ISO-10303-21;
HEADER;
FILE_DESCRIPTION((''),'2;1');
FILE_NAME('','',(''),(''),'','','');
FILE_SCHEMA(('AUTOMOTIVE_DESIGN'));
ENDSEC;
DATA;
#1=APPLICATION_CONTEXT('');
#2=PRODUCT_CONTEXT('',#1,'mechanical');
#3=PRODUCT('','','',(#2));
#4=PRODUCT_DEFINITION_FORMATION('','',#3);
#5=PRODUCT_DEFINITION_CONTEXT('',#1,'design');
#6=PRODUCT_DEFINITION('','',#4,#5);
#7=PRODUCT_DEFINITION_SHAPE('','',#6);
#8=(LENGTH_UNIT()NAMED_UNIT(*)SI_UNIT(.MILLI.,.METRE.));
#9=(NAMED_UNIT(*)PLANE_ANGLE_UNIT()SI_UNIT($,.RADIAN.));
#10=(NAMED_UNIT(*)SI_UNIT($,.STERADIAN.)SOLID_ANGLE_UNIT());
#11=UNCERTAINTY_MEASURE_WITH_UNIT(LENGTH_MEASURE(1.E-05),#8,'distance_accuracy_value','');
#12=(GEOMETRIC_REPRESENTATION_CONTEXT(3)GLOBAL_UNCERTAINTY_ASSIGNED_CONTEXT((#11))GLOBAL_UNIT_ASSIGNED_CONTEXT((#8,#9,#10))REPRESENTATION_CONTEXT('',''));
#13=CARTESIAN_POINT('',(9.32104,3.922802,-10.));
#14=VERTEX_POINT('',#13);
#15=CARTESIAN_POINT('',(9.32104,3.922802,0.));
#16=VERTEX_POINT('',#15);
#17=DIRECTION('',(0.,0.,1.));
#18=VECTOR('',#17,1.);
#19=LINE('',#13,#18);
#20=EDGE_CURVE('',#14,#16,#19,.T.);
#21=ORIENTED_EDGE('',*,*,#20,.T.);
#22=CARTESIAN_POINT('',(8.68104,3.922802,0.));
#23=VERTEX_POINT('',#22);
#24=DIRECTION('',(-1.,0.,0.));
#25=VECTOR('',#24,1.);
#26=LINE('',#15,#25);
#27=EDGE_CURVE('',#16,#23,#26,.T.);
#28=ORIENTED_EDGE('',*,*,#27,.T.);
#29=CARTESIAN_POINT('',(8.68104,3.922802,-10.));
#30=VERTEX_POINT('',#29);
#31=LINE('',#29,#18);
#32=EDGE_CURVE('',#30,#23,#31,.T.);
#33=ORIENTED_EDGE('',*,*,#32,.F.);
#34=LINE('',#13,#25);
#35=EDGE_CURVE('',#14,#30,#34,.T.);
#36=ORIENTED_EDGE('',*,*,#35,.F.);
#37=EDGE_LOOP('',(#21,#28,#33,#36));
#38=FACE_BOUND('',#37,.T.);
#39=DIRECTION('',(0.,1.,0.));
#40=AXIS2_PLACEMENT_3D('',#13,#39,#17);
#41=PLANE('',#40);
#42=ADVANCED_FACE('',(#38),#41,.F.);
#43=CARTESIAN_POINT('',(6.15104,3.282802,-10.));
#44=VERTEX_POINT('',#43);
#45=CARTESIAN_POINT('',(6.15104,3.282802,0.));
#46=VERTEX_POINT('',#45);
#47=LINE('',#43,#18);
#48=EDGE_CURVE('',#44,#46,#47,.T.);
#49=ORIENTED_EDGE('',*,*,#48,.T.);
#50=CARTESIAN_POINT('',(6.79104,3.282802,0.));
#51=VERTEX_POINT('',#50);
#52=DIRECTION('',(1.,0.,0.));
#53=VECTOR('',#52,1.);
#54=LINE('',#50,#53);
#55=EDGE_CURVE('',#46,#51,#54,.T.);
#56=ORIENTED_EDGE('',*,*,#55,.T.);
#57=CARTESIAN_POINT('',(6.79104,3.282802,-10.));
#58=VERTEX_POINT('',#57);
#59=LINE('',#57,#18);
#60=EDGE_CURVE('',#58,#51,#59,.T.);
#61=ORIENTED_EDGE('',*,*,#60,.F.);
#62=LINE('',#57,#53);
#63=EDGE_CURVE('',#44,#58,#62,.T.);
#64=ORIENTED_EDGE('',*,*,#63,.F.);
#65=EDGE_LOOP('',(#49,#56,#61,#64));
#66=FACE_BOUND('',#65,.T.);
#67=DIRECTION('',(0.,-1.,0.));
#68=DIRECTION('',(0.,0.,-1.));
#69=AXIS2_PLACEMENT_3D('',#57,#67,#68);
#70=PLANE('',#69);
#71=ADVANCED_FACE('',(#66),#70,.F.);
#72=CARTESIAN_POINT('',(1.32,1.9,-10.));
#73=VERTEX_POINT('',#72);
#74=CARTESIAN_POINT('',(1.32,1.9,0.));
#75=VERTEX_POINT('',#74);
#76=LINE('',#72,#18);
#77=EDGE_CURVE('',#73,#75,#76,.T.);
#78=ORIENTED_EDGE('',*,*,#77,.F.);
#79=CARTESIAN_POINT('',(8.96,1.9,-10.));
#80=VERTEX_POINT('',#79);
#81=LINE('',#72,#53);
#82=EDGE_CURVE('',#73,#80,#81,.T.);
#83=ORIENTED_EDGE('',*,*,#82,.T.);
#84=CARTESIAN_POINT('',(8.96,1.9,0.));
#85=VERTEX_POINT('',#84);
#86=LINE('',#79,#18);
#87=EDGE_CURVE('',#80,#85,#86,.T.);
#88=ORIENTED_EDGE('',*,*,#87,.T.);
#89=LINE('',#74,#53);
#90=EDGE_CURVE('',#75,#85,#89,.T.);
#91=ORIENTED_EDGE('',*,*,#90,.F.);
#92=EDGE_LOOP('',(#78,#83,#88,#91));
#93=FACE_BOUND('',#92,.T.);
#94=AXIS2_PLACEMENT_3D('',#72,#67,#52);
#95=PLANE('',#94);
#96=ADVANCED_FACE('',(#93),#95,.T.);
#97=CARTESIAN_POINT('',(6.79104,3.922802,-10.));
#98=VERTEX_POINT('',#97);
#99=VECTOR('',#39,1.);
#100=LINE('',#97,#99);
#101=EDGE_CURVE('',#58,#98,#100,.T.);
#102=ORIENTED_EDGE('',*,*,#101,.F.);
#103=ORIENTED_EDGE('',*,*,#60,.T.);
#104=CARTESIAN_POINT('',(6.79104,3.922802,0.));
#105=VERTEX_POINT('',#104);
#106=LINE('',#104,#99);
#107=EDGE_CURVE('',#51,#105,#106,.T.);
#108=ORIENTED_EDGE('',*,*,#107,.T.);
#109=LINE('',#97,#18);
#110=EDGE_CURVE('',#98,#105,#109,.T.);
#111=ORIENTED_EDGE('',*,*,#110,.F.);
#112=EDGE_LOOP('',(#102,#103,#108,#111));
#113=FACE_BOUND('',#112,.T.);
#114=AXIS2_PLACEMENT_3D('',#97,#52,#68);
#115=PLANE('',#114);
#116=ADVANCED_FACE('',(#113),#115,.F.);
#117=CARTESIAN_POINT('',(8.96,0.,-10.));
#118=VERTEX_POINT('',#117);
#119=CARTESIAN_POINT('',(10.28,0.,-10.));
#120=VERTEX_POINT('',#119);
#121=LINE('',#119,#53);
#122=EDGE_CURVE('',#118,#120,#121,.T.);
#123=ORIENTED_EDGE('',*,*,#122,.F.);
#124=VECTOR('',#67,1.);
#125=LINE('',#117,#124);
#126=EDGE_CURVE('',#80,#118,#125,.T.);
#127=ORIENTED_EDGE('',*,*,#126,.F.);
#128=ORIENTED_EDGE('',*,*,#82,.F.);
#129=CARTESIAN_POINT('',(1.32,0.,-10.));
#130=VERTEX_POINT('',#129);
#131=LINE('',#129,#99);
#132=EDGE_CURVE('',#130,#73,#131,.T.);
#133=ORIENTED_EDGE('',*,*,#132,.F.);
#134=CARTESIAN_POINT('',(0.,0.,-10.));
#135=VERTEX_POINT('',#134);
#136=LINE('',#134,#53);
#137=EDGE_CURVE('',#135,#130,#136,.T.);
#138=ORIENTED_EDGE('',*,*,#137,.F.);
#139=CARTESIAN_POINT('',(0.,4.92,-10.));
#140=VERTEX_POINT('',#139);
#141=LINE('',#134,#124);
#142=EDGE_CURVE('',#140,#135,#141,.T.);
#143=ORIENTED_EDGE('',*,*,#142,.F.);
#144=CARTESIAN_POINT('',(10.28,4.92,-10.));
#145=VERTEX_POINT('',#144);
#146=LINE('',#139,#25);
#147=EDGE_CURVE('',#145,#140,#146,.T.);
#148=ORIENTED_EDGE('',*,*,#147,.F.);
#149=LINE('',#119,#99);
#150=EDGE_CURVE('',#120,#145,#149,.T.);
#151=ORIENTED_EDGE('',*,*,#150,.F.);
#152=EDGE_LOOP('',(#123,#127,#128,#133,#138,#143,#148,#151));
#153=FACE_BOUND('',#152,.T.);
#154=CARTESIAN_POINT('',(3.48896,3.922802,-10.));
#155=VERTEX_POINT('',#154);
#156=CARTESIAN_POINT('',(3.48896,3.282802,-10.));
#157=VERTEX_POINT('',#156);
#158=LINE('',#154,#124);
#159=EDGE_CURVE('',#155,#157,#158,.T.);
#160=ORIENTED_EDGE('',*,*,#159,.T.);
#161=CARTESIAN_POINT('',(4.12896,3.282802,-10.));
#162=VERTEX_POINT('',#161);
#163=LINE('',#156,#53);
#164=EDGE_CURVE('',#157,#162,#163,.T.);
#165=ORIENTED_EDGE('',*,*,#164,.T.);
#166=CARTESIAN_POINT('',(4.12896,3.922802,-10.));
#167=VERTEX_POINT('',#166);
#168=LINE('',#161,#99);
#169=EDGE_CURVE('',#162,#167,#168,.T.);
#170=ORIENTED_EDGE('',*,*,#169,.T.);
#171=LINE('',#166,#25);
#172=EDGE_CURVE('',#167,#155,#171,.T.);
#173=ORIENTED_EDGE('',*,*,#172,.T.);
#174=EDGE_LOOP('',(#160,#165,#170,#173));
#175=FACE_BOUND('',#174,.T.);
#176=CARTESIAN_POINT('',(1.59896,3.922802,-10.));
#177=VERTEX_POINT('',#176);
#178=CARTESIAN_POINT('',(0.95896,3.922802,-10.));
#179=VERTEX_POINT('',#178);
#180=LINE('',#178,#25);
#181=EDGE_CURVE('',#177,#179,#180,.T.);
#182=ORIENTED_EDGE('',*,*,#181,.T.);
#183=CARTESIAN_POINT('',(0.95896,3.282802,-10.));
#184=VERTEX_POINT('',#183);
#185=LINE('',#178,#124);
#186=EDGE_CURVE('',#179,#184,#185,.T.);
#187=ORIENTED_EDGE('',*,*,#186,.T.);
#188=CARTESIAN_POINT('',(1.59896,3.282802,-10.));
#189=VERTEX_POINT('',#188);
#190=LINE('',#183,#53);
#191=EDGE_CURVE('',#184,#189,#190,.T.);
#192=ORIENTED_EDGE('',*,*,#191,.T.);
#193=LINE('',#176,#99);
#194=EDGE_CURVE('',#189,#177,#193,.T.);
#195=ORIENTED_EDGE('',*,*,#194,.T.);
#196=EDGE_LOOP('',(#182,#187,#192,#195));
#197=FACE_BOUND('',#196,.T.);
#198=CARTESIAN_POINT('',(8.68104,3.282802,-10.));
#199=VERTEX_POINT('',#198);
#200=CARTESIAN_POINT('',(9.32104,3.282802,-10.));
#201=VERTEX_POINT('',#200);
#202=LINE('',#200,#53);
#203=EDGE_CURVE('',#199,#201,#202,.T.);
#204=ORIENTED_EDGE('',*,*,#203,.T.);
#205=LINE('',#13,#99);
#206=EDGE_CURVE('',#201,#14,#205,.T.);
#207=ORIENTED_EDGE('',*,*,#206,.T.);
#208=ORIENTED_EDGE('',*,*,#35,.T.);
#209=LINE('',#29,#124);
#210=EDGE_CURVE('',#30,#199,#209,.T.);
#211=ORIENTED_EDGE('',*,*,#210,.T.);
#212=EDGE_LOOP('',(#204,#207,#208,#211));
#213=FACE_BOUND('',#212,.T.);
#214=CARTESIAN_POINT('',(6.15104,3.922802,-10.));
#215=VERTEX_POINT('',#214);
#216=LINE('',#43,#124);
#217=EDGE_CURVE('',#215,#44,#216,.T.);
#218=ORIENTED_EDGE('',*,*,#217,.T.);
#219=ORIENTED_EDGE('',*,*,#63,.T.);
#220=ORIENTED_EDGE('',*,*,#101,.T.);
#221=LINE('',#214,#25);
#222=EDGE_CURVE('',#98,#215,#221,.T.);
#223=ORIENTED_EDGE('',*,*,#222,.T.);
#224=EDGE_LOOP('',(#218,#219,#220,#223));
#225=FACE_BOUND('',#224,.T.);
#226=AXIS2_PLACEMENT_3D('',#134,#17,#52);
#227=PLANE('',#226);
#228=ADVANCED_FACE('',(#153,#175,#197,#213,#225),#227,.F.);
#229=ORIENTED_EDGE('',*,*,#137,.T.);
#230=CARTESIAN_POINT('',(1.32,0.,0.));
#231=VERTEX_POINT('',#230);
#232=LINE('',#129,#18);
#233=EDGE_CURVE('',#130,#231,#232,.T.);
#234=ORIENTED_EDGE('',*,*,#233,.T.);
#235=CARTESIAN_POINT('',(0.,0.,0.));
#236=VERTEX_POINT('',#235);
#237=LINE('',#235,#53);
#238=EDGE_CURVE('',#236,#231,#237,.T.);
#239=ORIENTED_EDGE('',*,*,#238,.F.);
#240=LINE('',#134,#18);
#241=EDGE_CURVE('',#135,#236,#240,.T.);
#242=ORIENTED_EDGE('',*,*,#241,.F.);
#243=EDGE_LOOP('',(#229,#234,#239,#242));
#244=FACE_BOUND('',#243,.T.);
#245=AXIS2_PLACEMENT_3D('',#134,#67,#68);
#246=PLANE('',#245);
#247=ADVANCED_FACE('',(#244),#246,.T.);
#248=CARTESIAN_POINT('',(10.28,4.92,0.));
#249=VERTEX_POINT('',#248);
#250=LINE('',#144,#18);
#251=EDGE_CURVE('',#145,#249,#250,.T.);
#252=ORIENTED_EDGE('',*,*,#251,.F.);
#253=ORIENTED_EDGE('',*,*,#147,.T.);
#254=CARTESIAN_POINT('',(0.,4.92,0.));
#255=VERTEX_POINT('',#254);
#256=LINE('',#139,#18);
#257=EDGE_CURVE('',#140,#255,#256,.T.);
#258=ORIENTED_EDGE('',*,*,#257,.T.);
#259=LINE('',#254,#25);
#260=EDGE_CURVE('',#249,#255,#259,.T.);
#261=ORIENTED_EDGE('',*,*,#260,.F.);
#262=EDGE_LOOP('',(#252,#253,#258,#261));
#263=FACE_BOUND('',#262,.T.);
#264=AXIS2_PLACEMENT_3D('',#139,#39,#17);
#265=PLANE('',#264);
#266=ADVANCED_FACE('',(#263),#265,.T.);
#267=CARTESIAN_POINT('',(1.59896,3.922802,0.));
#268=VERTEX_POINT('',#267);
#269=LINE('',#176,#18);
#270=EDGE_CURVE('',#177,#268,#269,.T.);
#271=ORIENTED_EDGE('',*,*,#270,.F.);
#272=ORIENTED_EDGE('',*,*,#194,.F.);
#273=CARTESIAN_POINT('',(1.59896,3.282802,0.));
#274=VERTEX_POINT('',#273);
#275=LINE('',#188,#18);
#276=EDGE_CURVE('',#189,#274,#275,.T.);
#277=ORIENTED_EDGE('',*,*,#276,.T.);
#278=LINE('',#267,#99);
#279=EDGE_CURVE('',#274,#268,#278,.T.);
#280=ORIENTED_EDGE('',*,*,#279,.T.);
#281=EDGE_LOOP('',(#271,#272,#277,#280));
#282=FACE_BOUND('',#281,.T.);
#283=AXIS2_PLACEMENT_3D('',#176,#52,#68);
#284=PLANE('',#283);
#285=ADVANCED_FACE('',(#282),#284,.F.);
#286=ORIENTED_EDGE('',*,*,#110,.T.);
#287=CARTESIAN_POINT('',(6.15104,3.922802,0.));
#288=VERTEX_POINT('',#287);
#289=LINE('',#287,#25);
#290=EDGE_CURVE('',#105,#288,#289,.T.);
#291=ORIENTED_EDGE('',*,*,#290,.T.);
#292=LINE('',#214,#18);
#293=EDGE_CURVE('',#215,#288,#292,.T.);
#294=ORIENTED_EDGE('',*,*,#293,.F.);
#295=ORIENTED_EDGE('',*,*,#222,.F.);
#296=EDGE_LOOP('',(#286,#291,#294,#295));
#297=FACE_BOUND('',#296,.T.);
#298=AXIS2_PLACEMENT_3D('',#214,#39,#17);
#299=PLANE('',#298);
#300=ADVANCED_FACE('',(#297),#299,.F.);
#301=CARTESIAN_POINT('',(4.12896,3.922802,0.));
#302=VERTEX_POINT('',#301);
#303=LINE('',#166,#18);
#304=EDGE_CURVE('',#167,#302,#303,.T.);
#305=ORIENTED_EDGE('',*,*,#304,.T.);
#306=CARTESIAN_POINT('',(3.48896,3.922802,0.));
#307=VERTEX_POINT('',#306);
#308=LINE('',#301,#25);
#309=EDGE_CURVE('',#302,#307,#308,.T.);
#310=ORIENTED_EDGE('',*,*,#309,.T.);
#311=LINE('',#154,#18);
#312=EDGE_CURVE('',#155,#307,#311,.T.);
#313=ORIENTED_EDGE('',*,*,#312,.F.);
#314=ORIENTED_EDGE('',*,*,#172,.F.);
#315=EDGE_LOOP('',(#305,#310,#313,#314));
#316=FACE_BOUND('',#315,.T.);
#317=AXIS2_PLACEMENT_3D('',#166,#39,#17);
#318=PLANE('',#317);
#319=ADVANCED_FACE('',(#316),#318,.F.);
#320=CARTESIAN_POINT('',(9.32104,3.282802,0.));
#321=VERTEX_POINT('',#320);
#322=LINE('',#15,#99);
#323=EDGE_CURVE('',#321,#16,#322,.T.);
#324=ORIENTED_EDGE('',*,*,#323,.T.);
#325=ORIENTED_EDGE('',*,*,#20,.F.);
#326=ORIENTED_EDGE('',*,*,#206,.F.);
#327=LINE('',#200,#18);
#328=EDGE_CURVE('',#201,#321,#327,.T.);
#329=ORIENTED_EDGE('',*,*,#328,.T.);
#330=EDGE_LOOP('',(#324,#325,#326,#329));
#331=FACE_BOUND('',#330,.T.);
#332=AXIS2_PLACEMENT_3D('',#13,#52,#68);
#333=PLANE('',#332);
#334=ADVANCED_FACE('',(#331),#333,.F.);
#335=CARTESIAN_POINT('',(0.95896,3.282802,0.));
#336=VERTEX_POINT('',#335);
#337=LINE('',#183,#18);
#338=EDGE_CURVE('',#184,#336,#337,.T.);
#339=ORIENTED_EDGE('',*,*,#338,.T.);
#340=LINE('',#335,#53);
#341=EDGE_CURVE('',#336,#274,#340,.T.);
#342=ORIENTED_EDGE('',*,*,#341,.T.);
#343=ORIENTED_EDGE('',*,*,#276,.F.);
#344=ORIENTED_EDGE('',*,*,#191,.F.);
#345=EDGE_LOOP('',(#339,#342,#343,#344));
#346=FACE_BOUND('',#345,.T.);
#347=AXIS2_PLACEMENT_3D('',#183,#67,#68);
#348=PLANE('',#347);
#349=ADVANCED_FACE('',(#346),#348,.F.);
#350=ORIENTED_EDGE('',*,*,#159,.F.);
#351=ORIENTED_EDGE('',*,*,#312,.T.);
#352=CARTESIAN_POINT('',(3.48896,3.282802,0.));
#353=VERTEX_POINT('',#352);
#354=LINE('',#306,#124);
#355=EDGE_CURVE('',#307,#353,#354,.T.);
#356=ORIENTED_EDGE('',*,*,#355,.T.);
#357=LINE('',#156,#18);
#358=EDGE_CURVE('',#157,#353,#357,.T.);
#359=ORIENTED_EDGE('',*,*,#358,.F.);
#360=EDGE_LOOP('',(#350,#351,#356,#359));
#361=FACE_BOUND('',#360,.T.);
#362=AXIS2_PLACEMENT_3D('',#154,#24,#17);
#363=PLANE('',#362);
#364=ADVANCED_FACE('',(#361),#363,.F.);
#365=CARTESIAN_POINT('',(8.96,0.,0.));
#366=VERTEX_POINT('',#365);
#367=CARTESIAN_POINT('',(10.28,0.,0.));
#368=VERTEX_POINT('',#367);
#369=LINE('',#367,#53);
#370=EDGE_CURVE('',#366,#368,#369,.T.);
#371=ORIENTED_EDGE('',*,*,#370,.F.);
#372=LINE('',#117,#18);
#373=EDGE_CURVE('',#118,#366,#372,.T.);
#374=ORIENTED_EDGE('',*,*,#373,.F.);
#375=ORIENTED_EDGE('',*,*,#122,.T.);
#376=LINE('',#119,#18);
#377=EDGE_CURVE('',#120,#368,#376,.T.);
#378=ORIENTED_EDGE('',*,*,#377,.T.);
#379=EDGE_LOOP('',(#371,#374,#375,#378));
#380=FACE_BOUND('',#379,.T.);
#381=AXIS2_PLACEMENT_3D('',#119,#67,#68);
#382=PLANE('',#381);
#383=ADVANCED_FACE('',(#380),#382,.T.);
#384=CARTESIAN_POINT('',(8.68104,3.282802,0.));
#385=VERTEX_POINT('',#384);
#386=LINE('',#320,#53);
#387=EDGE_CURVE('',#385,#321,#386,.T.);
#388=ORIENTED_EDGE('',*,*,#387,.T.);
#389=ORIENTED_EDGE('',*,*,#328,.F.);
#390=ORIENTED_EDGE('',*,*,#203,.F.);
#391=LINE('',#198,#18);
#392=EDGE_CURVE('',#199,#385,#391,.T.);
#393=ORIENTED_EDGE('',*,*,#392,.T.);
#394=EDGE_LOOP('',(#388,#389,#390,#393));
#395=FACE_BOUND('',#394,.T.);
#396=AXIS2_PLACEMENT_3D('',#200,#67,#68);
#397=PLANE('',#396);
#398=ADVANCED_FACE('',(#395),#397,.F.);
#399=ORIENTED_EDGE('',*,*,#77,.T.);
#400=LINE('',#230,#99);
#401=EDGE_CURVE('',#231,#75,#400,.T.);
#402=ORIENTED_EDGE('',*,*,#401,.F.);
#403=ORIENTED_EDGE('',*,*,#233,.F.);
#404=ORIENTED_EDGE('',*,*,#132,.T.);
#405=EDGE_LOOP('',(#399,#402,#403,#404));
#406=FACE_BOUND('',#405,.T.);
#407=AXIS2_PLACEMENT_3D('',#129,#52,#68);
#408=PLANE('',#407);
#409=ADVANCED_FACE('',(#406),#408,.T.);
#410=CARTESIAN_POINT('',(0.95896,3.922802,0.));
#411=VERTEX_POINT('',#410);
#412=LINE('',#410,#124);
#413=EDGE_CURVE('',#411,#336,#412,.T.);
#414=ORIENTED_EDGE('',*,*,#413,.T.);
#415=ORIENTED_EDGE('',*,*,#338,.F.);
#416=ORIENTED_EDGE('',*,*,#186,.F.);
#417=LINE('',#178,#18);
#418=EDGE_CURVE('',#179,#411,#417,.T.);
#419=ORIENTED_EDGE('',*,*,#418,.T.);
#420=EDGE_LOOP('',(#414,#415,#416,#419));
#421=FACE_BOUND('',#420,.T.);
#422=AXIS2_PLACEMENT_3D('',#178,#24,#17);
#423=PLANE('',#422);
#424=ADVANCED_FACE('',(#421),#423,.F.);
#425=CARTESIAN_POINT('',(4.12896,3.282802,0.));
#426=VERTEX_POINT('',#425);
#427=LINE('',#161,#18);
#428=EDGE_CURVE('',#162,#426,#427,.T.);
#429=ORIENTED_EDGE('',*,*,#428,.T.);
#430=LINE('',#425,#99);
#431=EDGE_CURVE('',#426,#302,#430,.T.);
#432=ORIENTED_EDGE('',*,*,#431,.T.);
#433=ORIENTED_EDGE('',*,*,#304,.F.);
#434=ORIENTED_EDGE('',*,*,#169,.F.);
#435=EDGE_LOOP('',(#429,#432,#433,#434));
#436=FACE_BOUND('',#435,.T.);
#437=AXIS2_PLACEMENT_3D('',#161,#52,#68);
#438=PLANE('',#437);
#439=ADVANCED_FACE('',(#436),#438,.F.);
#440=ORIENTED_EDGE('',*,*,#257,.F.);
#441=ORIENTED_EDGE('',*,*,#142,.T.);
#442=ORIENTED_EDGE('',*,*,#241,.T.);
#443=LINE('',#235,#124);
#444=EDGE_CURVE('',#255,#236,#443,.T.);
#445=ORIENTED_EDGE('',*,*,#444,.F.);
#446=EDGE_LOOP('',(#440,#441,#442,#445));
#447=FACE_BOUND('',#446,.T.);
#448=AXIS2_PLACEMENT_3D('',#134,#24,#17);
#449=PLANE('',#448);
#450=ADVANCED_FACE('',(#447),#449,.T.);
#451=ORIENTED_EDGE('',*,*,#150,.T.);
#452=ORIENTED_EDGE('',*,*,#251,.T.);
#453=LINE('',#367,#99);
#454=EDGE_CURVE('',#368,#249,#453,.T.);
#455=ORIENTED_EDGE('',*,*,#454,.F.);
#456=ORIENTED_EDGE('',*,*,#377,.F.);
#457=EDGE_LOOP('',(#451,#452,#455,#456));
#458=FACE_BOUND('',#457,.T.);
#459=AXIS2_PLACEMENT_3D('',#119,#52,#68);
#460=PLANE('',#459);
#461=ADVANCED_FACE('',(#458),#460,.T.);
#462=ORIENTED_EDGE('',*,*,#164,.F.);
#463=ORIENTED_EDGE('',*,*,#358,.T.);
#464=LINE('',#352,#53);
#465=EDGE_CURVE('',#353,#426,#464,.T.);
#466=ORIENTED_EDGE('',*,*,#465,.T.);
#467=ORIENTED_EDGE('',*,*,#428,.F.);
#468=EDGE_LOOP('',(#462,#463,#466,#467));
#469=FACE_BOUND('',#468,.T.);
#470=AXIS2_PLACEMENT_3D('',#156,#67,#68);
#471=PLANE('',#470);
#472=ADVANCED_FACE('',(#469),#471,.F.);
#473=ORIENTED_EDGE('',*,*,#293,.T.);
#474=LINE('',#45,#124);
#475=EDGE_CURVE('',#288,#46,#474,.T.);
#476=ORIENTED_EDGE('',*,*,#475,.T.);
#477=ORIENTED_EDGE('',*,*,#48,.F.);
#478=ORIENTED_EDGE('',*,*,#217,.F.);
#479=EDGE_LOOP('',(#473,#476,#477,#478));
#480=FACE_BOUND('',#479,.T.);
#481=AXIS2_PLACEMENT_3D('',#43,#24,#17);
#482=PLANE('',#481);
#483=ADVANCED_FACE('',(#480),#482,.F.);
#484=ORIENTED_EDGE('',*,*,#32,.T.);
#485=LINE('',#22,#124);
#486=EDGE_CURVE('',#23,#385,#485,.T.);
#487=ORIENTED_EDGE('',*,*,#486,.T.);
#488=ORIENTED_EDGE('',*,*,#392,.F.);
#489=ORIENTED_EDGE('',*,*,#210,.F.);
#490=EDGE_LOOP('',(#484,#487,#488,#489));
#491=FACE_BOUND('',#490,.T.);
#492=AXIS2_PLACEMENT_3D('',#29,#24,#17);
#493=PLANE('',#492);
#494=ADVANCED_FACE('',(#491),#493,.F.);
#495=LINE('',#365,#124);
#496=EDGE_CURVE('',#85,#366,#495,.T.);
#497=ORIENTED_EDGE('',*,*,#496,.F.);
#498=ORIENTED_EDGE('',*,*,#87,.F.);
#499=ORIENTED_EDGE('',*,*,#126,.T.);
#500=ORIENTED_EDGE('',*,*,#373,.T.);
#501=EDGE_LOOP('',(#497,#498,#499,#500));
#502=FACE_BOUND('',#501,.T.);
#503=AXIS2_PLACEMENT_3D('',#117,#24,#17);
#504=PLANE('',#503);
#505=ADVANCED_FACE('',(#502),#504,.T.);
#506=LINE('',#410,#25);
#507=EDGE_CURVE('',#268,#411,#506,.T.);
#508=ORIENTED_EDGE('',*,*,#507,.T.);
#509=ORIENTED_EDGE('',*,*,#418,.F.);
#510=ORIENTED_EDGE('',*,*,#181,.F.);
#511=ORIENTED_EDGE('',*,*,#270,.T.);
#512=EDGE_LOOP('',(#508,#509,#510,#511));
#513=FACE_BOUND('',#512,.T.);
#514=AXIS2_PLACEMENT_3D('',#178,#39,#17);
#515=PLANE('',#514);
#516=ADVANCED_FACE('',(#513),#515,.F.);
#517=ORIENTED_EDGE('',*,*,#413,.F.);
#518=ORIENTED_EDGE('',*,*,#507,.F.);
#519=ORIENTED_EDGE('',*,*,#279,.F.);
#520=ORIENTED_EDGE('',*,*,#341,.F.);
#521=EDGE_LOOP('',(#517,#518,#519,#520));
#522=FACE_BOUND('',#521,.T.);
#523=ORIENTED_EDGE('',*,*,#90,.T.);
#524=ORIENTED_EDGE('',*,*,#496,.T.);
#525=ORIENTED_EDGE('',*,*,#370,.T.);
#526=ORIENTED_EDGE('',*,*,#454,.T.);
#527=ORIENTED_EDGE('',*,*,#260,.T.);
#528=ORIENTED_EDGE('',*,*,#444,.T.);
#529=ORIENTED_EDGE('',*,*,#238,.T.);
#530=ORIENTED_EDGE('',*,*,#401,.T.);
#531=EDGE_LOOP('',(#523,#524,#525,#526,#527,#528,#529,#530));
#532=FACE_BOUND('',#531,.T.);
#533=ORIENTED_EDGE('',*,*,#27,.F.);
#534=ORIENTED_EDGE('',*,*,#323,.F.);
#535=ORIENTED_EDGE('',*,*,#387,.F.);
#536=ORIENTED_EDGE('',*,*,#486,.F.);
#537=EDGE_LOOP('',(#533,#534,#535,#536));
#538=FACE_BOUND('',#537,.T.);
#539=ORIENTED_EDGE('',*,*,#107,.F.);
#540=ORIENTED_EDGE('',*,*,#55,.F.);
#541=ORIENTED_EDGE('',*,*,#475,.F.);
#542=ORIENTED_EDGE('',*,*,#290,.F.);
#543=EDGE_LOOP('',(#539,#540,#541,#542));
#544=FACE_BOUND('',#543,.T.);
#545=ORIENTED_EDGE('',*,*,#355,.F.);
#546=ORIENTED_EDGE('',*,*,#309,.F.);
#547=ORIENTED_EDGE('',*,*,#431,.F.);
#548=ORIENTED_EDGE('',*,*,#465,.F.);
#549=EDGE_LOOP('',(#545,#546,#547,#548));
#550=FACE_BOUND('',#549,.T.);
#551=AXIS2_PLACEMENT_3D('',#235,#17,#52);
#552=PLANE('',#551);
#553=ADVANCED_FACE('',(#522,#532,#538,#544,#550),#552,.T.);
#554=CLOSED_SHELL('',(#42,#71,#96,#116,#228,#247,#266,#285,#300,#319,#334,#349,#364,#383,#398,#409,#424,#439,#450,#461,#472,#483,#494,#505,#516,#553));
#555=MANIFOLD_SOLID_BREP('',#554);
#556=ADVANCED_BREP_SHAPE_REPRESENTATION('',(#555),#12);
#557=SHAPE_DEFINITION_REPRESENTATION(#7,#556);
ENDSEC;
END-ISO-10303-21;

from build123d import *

# Parameters (mm, degrees)
SKETCH1_W           = 0.64
SKETCH1_H           = 0.64
BOSS_EXTRUDE1_DEPTH = 10


with BuildPart() as part:
    # Sketch1 → Boss-Extrude1 (new body)
    with BuildSketch(Plane.XY):
        Polygon((0, 4.92), (10.28, 4.92), (10.28, 0), (8.96, 0), (8.96, 1.9), (1.32, 1.9), (1.32, 0), (0, 0), align=None)
        with Locations((6.471040223, 3.602802159)):
            Rectangle(SKETCH1_W, SKETCH1_H, mode=Mode.SUBTRACT)
        with Locations((1.278959777, 3.602802159)):
            Rectangle(SKETCH1_W, SKETCH1_H, mode=Mode.SUBTRACT)
        with Locations((3.808959777, 3.602802159)):
            Rectangle(SKETCH1_W, SKETCH1_H, mode=Mode.SUBTRACT)
        with Locations((9.001040223, 3.602802159)):
            Rectangle(SKETCH1_W, SKETCH1_H, mode=Mode.SUBTRACT)
    extrude(amount=-BOSS_EXTRUDE1_DEPTH)


solid = part.part
